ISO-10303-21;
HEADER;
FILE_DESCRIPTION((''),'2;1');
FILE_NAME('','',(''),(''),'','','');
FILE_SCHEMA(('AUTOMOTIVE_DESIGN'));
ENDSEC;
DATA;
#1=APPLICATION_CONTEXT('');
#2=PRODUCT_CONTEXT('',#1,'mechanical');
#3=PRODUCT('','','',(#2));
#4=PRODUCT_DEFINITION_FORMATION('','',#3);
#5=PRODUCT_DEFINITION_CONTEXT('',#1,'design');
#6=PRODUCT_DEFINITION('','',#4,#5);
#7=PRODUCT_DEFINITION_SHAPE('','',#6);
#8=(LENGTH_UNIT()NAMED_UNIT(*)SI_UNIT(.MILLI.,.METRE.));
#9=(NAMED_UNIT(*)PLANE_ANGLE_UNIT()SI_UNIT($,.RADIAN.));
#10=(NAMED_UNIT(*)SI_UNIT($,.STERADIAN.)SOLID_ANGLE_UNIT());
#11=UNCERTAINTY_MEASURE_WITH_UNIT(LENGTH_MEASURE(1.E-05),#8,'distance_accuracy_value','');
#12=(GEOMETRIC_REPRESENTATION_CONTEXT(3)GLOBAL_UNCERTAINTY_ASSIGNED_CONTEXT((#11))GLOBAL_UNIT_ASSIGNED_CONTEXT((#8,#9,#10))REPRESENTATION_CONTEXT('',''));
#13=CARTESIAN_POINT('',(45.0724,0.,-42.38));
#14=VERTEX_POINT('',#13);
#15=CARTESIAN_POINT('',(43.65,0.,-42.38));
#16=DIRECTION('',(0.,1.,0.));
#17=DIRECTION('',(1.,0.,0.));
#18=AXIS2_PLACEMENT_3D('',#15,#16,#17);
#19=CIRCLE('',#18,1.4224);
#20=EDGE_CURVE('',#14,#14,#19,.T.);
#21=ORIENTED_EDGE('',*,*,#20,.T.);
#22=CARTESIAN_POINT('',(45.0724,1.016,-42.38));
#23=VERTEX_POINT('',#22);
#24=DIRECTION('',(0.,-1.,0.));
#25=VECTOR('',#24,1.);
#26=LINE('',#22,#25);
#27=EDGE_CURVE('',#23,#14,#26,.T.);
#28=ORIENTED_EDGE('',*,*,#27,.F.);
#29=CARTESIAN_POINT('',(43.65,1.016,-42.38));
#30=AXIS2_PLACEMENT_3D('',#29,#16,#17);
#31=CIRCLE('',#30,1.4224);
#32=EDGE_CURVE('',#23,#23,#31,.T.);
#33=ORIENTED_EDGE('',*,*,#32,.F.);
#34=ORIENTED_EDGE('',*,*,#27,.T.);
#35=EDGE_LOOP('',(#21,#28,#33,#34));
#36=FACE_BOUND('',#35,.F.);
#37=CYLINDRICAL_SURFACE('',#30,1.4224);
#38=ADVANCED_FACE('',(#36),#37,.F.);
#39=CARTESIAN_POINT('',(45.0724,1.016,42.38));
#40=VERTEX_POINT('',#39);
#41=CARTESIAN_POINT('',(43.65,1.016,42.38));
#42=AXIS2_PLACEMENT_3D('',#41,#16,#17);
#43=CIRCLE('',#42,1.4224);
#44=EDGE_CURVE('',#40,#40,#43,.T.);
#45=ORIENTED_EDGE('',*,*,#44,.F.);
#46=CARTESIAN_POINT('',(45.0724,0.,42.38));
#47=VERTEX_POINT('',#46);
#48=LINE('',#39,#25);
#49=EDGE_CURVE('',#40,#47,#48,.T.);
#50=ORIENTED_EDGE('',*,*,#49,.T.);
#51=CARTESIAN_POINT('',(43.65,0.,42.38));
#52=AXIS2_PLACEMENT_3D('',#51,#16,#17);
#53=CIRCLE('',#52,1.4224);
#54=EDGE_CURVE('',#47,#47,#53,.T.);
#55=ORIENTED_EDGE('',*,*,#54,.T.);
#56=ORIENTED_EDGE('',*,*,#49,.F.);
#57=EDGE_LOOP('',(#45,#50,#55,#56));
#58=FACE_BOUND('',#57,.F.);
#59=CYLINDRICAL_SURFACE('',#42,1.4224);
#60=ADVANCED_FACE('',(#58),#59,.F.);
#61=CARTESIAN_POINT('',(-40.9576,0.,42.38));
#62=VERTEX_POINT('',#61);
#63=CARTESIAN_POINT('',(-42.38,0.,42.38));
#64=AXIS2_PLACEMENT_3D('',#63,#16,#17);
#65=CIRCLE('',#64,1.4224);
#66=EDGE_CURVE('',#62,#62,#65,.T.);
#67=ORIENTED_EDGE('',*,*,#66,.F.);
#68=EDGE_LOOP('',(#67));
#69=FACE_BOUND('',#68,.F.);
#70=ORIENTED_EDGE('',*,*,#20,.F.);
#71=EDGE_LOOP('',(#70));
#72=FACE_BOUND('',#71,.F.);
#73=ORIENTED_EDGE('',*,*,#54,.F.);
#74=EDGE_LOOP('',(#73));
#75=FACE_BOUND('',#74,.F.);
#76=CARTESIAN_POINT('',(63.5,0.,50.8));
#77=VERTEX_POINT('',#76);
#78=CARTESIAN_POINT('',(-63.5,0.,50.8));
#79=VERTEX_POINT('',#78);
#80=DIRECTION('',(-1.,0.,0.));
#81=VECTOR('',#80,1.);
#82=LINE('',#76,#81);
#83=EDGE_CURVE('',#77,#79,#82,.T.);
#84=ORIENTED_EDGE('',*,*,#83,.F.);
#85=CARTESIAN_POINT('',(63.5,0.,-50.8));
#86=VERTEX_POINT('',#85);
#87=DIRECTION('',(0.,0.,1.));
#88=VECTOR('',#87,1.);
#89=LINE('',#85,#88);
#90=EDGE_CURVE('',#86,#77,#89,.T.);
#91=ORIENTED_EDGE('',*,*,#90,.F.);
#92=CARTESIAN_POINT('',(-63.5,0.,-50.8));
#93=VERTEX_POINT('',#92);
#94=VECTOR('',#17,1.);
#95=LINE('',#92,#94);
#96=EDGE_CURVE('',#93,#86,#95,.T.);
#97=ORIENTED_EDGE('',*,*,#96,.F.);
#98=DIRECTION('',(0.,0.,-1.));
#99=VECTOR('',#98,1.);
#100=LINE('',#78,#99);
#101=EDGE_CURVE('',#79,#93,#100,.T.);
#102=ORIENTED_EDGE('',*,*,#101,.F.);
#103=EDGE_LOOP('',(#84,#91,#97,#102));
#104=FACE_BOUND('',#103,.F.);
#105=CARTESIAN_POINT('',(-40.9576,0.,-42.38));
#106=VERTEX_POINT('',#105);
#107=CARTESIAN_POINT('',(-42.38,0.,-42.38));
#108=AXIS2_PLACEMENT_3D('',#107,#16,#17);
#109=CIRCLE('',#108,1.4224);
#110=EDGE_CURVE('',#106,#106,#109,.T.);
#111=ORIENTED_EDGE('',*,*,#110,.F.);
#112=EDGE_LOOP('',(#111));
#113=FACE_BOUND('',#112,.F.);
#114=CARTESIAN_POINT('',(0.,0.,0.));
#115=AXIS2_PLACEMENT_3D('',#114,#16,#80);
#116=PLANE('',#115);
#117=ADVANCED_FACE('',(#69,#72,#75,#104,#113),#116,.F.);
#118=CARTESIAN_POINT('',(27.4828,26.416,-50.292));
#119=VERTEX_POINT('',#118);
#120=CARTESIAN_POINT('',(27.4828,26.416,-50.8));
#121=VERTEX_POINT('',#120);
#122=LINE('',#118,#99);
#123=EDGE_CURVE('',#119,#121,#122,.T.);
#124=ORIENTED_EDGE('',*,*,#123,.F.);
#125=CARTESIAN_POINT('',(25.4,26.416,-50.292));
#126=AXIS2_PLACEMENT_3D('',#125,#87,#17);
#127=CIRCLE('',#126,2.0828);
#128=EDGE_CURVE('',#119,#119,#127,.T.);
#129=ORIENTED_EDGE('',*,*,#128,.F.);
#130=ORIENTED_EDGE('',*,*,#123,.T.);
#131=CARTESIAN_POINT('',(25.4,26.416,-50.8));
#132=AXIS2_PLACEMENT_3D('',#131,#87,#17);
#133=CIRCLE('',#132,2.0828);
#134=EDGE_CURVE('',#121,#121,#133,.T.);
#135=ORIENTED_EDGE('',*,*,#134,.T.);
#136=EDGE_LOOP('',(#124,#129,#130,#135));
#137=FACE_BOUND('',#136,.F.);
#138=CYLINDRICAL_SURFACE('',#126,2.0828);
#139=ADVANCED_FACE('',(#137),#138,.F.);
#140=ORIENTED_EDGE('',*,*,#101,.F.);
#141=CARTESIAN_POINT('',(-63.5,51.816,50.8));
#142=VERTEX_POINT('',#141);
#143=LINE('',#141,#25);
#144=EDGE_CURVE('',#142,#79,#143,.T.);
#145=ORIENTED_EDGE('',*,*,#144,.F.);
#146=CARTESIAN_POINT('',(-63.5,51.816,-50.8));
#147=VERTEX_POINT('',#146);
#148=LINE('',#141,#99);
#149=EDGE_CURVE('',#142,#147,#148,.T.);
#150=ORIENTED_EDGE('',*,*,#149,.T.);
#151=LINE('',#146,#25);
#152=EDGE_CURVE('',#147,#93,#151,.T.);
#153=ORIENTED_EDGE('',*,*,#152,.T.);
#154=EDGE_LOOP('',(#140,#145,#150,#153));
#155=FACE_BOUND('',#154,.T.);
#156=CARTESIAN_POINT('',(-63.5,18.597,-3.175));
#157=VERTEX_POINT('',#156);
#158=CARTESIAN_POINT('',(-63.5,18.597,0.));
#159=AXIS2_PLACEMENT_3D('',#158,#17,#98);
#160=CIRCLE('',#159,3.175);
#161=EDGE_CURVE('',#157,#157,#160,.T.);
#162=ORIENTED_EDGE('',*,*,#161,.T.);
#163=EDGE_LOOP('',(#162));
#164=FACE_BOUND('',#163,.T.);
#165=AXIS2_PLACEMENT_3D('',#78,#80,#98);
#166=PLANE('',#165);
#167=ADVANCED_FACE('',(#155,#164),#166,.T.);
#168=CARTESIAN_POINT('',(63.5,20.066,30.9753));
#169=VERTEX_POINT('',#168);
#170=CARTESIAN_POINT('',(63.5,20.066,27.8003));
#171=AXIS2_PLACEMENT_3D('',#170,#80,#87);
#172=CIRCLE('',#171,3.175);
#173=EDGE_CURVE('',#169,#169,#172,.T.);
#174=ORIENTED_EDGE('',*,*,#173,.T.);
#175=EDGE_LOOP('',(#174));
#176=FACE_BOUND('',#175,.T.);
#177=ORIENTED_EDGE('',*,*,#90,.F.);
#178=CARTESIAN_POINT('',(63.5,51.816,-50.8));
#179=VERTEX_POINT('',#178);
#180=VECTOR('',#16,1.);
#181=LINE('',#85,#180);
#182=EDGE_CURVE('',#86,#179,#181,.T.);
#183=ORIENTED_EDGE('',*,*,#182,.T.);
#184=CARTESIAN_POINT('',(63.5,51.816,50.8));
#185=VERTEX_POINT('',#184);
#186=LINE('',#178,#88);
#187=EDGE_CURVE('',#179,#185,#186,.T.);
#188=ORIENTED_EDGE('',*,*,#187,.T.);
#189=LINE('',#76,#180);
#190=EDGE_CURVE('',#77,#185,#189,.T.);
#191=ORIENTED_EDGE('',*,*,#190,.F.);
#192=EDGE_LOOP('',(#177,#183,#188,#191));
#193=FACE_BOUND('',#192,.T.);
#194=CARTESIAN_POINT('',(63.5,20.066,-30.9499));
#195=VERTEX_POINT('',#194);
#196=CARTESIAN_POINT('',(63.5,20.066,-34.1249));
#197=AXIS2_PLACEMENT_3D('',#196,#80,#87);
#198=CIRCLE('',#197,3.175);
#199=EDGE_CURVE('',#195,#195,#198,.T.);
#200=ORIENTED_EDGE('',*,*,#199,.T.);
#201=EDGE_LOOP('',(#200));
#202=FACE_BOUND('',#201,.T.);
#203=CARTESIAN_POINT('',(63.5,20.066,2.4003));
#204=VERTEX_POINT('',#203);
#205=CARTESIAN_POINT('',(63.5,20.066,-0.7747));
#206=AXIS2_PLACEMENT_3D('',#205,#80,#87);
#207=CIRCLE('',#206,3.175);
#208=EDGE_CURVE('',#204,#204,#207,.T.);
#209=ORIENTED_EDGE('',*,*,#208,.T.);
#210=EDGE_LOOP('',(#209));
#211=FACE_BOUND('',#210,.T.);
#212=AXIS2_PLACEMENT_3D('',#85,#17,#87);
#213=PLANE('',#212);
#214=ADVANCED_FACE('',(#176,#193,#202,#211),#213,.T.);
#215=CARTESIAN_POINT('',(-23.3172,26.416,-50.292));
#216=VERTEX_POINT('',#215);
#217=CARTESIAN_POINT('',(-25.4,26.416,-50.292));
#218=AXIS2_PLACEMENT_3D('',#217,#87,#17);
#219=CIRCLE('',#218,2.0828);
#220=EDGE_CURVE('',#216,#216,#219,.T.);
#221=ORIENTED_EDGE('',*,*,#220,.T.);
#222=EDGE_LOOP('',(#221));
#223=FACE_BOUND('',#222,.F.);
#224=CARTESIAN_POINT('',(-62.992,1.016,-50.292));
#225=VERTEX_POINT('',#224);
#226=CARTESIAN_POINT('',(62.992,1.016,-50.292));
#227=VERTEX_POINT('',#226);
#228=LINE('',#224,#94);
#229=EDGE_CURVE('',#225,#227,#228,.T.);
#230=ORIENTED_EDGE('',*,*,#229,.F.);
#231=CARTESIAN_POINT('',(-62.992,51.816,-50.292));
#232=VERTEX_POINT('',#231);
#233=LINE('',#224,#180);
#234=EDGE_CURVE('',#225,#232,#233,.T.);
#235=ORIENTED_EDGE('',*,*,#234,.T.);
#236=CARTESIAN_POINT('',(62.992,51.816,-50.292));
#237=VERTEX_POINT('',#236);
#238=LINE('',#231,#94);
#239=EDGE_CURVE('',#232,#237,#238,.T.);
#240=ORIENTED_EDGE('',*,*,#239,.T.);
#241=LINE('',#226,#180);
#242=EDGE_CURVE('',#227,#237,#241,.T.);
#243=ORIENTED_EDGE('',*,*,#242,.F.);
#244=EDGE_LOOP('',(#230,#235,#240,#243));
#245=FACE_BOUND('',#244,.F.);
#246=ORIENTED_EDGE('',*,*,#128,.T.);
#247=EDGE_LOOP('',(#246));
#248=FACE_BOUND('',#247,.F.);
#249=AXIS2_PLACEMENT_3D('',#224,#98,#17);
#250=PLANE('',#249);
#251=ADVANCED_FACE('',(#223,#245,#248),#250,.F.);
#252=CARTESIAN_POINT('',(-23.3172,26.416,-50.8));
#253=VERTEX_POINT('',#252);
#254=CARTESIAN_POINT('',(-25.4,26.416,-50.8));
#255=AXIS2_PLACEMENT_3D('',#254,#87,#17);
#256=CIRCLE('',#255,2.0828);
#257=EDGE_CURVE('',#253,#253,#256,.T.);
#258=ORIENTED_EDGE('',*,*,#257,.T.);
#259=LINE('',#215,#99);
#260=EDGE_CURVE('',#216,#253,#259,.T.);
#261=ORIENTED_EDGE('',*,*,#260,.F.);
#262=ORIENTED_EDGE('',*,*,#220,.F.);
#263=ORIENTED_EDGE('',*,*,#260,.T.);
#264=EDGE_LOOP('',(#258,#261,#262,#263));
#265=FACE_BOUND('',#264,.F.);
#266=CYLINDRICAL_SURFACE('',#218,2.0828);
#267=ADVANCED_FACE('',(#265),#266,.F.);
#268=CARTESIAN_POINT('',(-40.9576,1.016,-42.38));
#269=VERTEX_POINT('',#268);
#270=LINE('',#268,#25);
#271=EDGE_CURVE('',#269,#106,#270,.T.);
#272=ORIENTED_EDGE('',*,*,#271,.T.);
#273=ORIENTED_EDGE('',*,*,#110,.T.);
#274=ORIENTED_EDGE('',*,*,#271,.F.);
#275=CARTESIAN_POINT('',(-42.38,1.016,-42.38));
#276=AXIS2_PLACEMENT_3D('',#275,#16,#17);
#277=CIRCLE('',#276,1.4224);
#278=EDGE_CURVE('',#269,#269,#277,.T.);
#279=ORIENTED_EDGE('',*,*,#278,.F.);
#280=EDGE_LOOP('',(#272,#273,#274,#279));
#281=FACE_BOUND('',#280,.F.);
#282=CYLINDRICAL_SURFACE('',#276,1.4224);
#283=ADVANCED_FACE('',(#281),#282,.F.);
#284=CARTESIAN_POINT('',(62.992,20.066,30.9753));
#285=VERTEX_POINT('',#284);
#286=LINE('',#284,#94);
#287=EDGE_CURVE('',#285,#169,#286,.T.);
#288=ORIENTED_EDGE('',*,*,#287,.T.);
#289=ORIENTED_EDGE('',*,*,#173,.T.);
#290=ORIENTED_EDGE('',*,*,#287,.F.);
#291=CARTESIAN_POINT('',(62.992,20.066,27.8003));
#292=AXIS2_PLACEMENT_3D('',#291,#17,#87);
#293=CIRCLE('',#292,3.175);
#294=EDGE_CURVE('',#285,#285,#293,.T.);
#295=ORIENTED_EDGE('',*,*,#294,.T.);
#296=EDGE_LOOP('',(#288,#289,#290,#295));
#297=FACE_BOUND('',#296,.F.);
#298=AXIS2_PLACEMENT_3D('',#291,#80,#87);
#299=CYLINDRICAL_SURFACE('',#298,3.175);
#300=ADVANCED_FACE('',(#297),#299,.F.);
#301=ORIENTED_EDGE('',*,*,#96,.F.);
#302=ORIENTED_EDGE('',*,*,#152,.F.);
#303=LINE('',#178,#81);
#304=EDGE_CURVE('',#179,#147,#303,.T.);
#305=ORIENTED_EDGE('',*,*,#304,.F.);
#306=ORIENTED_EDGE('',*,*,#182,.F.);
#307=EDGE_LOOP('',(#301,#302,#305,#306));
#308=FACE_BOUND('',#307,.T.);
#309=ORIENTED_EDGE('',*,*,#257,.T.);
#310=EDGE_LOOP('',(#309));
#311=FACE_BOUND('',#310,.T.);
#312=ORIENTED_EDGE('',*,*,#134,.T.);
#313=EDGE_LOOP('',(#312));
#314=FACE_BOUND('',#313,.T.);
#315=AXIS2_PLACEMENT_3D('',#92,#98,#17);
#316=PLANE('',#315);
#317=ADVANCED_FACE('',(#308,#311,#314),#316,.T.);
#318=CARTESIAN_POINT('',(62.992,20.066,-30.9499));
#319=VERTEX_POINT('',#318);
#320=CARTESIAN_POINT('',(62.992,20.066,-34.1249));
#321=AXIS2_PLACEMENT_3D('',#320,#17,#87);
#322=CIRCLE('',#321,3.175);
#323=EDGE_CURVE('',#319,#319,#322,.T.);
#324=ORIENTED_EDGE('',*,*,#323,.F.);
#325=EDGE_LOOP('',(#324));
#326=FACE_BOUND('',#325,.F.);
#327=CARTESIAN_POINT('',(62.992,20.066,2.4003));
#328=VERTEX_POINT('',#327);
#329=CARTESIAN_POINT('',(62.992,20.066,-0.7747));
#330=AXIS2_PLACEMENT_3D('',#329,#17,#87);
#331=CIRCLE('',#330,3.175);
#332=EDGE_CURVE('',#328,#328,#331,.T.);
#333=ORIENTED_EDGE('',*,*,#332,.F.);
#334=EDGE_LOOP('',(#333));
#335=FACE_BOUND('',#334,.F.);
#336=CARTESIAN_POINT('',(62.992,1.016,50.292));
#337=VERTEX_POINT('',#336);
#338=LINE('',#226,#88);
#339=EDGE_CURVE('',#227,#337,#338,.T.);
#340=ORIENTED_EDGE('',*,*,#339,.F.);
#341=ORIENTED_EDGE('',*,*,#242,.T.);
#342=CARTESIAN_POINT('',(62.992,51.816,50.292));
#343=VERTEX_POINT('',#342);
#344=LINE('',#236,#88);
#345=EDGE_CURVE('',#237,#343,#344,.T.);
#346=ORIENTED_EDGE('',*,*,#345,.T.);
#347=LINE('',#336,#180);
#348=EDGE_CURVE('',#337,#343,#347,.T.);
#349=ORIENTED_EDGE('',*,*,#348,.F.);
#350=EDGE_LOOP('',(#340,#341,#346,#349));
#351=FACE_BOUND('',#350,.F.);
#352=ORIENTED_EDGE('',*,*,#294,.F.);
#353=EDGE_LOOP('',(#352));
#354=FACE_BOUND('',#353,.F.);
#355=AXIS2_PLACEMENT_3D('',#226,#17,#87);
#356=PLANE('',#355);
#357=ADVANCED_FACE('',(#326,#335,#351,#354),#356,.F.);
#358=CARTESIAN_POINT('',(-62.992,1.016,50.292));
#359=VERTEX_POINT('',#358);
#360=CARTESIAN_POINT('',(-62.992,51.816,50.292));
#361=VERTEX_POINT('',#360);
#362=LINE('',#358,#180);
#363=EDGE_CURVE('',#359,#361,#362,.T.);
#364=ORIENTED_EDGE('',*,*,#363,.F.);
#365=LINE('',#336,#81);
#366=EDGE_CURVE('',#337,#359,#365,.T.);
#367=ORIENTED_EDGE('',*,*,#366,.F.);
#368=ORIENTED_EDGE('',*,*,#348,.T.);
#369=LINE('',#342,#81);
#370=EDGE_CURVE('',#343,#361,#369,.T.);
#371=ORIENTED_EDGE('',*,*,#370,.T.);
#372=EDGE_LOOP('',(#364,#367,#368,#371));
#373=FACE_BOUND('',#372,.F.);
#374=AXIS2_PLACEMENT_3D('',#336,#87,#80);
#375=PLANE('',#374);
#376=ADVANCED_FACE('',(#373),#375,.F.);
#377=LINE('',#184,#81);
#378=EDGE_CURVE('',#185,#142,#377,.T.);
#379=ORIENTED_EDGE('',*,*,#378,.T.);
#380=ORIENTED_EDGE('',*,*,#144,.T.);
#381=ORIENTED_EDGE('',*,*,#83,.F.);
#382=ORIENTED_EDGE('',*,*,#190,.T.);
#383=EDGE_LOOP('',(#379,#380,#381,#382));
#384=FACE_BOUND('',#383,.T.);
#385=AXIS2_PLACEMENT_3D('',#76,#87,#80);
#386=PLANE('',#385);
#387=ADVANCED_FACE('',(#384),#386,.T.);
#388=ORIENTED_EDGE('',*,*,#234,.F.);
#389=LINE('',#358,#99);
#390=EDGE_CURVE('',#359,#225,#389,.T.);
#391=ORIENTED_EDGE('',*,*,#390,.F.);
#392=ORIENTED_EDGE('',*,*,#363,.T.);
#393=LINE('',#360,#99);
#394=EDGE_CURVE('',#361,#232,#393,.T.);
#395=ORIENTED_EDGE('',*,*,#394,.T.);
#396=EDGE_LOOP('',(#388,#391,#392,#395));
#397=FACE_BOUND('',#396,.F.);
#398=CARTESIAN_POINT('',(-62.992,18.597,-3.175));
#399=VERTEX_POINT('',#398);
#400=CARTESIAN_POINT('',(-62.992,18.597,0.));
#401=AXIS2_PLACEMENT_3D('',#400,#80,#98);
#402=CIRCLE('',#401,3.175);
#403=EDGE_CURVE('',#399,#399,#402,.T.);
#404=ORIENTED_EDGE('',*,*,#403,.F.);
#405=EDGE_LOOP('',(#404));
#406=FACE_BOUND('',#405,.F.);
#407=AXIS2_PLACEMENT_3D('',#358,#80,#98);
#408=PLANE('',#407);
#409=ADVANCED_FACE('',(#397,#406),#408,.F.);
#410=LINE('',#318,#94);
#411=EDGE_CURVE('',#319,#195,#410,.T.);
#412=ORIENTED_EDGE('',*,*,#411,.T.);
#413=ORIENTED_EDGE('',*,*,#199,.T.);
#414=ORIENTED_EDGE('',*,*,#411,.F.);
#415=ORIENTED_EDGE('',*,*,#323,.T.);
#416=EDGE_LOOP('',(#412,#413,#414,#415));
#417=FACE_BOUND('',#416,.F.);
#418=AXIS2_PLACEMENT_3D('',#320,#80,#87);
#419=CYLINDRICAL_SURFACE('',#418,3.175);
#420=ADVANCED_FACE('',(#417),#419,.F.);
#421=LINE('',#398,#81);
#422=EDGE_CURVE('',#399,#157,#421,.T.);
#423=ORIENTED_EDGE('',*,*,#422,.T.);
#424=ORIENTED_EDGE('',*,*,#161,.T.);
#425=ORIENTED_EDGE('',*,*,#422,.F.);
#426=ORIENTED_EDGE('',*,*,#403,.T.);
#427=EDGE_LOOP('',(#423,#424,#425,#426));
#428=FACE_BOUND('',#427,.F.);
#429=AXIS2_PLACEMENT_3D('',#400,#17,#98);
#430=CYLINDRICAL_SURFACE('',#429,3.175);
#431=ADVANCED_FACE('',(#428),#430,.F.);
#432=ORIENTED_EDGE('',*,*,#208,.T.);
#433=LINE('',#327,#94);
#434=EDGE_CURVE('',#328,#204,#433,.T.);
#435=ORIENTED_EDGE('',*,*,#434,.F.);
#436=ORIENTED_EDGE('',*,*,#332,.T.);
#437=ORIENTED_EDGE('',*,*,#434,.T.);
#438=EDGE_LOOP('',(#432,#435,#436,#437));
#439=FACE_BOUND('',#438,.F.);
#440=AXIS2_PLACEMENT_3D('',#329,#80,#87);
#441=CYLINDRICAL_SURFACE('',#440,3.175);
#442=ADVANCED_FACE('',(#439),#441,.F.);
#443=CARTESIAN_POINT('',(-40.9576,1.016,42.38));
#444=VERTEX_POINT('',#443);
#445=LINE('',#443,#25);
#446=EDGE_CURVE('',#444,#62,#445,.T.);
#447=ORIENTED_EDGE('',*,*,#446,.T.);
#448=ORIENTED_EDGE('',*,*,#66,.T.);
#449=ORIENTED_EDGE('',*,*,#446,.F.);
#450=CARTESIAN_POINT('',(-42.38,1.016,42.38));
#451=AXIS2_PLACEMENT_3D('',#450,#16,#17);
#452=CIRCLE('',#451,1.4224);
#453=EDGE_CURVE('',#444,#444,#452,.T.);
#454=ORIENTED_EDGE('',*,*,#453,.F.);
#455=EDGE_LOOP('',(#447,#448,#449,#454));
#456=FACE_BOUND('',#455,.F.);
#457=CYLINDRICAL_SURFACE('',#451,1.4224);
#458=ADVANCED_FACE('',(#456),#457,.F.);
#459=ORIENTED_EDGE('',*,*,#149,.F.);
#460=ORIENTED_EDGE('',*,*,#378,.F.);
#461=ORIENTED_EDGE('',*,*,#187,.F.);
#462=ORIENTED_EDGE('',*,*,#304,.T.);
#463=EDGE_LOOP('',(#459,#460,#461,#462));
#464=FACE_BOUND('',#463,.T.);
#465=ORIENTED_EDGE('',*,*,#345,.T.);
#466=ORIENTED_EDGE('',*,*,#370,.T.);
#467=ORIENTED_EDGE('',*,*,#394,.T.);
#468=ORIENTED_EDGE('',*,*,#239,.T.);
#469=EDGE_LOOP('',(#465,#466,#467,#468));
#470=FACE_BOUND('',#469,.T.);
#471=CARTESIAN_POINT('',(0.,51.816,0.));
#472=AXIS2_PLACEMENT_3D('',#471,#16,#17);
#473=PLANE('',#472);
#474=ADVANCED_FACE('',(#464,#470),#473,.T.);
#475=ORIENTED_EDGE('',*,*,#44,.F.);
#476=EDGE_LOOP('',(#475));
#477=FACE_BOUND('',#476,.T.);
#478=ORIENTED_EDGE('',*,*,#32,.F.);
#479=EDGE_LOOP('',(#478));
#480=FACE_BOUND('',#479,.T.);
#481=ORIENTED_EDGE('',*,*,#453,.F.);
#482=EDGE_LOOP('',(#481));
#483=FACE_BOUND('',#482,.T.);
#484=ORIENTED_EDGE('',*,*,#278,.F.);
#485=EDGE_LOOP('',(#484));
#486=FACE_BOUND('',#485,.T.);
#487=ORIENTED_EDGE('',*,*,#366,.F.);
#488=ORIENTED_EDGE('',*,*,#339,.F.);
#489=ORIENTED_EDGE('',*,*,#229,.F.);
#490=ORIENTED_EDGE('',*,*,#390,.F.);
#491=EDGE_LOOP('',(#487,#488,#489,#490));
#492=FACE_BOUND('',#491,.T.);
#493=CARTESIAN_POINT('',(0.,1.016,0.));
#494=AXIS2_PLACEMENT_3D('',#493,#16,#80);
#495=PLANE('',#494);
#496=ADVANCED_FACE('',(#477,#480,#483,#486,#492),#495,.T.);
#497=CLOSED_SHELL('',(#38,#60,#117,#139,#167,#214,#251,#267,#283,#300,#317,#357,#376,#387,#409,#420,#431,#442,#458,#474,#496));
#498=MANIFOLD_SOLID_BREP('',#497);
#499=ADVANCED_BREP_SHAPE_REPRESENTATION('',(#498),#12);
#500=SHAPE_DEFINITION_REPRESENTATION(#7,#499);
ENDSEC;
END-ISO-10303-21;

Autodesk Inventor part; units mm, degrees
ref_plane "YZ Plane" through (0, 0, 0) normal (1, 0, 0) x (0, 1, 0)
ref_plane "XZ Plane" through (0, 0, 0) normal (0, 1, 0) x (-1, 0, 0)
ref_plane "XY Plane" through (0, 0, 0) normal (0, 0, 1) x (1, 0, 0)
sketch "Sketch1" plane through (0, 0, 0) normal (0, 1, 0) x (-1, 0, 0)
  line L0 (-63.5, 50.8) -> (63.5, 50.8)
  line L1 (63.5, 50.8) -> (63.5, -50.8)
  line L2 (63.5, -50.8) -> (-63.5, -50.8)
  line L3 (-63.5, -50.8) -> (-63.5, 50.8)
  line L4 (-63.5, 50.8) -> (63.5, -50.8) construction
  line L5 (63.5, 50.8) -> (-63.5, -50.8) construction
  point P0 (0, 0)
  dimension "d0" = 127
  dimension "d1" = 101.6
extrude "Extrusion1" add sketch "Sketch1" along normal blind 1.016
sketch "Sketch2" plane through (0, 1.016, 0) normal (0, 1, 0) x (1, 0, 0)
  line L0 (63.5, 50.8) -> (-63.5, 50.8) projected
  line L1 (63.5, -50.8) -> (-63.5, -50.8)
  line L2 (-63.5, -50.8) -> (-63.5, 50.8)
  line L3 (-63.5, 50.8) -> (63.5, 50.8)
  line L4 (63.5, 50.8) -> (63.5, -50.8)
  line L5 (63.5, -50.8) -> (-63.5, 50.8) construction
  line L6 (-63.5, -50.8) -> (63.5, 50.8) construction
  line L7 (62.992, -50.292) -> (-62.992, -50.292)
  line L8 (-62.992, -50.292) -> (-62.992, 50.292)
  line L9 (-62.992, 50.292) -> (62.992, 50.292)
  line L10 (62.992, 50.292) -> (62.992, -50.292)
  line L11 (62.992, -50.292) -> (-62.992, 50.292) construction
  line L12 (-62.992, -50.292) -> (62.992, 50.292) construction
  point P0 (0, 0)
  dimension "d4" = 125.984
  dimension "d5" = 100.584
extrude "Extrusion2" add sketch "Sketch2" along normal blind 50.8
sketch "Sketch3" plane through (-62.992, 1.016, -50.292) normal (0, 0, 1) x (1, 0, 0)
  line L0 (0, 0) -> (0, 50.8) projected
  circle A0 centre (37.592, 25.4) radius 2.0828
  circle A1 centre (88.392, 25.4) radius 2.0828
  point P0 (62.992, -1.016)
  dimension "d10" = 4.1656
  dimension "d12" = 4.1656
extrude "Extrusion3" cut sketch "Sketch3" against normal through all
sketch "Sketch4" plane through (-62.992, 1.016, 50.292) normal (1, 0, 0) x (0, 0, -1)
  line L0 (0, 0) -> (0, 50.8) projected
  line L1 (0, 17.581) -> (50.292, 17.581)
  circle A0 centre (50.292, 17.581) radius 3.175
  point P0 (50.292, -1.016)
  dimension "d15" = 6.35
extrude "Extrusion4" cut sketch "Sketch4" against normal through all
sketch "Sketch5" plane through (62.992, 1.016, -50.292) normal (-1, 0, 0) x (0, 0, 1)
  line L0 (0, 0) -> (0, 50.8) projected
  line L1 (0, 19.05) -> (0.2921, 19.05)
  line L2 (0, 19.05) -> (0.2921, 19.05) construction
  line L3 (0.2921, 19.05) -> (16.1671, 19.05)
  line L4 (16.1671, 19.05) -> (49.5173, 19.05)
  line L5 (49.5173, 19.05) -> (20.9423, 19.05)
  line L6 (20.9423, 19.05) -> (49.5173, 19.05)
  line L7 (49.5173, 19.05) -> (78.0923, 19.05)
  circle A0 centre (78.0923, 19.05) radius 3.175
  circle A1 centre (49.5173, 19.05) radius 3.175
  circle A2 centre (16.1671, 19.05) radius 3.175
  point P0 (50.292, -1.016)
  dimension "d18" = 0.2921
  dimension "d19" = 0
  dimension "d20" = 15.875
  dimension "d21" = 33.3502
  dimension "d22" = 180
  dimension "d23" = 28.575
  dimension "d24" = 0
  dimension "d25" = 28.575
  dimension "d26" = 6.35
  dimension "d27" = 6.35
  dimension "d28" = 6.35
extrude "Extrusion5" cut sketch "Sketch5" against normal through all
sketch "Sketch6" plane through (0, 1.016, 0) normal (0, 1, 0) x (1, 0, 0)
  line L0 (-50, 50) -> (50, -50) construction
  line L1 (50, 50) -> (-50, -50) construction
  circle A0 centre (43.65, 42.38) radius 1.4224
  circle A1 centre (43.65, -42.38) radius 1.4224
  circle A2 centre (-42.38, -42.38) radius 1.4224
  circle A3 centre (-42.38, 42.38) radius 1.4224
  point P0 (0, 0)
  dimension "d31" = 100
  dimension "d32" = 100
  dimension "d38" = 2.8448
  dimension "d39" = 2.8448
  dimension "d40" = 2.8448
  dimension "d41" = 2.8448
extrude "Extrusion6" cut sketch "Sketch6" against normal through all
properties part number "563-AC-1404-5x4-Enclosure"
